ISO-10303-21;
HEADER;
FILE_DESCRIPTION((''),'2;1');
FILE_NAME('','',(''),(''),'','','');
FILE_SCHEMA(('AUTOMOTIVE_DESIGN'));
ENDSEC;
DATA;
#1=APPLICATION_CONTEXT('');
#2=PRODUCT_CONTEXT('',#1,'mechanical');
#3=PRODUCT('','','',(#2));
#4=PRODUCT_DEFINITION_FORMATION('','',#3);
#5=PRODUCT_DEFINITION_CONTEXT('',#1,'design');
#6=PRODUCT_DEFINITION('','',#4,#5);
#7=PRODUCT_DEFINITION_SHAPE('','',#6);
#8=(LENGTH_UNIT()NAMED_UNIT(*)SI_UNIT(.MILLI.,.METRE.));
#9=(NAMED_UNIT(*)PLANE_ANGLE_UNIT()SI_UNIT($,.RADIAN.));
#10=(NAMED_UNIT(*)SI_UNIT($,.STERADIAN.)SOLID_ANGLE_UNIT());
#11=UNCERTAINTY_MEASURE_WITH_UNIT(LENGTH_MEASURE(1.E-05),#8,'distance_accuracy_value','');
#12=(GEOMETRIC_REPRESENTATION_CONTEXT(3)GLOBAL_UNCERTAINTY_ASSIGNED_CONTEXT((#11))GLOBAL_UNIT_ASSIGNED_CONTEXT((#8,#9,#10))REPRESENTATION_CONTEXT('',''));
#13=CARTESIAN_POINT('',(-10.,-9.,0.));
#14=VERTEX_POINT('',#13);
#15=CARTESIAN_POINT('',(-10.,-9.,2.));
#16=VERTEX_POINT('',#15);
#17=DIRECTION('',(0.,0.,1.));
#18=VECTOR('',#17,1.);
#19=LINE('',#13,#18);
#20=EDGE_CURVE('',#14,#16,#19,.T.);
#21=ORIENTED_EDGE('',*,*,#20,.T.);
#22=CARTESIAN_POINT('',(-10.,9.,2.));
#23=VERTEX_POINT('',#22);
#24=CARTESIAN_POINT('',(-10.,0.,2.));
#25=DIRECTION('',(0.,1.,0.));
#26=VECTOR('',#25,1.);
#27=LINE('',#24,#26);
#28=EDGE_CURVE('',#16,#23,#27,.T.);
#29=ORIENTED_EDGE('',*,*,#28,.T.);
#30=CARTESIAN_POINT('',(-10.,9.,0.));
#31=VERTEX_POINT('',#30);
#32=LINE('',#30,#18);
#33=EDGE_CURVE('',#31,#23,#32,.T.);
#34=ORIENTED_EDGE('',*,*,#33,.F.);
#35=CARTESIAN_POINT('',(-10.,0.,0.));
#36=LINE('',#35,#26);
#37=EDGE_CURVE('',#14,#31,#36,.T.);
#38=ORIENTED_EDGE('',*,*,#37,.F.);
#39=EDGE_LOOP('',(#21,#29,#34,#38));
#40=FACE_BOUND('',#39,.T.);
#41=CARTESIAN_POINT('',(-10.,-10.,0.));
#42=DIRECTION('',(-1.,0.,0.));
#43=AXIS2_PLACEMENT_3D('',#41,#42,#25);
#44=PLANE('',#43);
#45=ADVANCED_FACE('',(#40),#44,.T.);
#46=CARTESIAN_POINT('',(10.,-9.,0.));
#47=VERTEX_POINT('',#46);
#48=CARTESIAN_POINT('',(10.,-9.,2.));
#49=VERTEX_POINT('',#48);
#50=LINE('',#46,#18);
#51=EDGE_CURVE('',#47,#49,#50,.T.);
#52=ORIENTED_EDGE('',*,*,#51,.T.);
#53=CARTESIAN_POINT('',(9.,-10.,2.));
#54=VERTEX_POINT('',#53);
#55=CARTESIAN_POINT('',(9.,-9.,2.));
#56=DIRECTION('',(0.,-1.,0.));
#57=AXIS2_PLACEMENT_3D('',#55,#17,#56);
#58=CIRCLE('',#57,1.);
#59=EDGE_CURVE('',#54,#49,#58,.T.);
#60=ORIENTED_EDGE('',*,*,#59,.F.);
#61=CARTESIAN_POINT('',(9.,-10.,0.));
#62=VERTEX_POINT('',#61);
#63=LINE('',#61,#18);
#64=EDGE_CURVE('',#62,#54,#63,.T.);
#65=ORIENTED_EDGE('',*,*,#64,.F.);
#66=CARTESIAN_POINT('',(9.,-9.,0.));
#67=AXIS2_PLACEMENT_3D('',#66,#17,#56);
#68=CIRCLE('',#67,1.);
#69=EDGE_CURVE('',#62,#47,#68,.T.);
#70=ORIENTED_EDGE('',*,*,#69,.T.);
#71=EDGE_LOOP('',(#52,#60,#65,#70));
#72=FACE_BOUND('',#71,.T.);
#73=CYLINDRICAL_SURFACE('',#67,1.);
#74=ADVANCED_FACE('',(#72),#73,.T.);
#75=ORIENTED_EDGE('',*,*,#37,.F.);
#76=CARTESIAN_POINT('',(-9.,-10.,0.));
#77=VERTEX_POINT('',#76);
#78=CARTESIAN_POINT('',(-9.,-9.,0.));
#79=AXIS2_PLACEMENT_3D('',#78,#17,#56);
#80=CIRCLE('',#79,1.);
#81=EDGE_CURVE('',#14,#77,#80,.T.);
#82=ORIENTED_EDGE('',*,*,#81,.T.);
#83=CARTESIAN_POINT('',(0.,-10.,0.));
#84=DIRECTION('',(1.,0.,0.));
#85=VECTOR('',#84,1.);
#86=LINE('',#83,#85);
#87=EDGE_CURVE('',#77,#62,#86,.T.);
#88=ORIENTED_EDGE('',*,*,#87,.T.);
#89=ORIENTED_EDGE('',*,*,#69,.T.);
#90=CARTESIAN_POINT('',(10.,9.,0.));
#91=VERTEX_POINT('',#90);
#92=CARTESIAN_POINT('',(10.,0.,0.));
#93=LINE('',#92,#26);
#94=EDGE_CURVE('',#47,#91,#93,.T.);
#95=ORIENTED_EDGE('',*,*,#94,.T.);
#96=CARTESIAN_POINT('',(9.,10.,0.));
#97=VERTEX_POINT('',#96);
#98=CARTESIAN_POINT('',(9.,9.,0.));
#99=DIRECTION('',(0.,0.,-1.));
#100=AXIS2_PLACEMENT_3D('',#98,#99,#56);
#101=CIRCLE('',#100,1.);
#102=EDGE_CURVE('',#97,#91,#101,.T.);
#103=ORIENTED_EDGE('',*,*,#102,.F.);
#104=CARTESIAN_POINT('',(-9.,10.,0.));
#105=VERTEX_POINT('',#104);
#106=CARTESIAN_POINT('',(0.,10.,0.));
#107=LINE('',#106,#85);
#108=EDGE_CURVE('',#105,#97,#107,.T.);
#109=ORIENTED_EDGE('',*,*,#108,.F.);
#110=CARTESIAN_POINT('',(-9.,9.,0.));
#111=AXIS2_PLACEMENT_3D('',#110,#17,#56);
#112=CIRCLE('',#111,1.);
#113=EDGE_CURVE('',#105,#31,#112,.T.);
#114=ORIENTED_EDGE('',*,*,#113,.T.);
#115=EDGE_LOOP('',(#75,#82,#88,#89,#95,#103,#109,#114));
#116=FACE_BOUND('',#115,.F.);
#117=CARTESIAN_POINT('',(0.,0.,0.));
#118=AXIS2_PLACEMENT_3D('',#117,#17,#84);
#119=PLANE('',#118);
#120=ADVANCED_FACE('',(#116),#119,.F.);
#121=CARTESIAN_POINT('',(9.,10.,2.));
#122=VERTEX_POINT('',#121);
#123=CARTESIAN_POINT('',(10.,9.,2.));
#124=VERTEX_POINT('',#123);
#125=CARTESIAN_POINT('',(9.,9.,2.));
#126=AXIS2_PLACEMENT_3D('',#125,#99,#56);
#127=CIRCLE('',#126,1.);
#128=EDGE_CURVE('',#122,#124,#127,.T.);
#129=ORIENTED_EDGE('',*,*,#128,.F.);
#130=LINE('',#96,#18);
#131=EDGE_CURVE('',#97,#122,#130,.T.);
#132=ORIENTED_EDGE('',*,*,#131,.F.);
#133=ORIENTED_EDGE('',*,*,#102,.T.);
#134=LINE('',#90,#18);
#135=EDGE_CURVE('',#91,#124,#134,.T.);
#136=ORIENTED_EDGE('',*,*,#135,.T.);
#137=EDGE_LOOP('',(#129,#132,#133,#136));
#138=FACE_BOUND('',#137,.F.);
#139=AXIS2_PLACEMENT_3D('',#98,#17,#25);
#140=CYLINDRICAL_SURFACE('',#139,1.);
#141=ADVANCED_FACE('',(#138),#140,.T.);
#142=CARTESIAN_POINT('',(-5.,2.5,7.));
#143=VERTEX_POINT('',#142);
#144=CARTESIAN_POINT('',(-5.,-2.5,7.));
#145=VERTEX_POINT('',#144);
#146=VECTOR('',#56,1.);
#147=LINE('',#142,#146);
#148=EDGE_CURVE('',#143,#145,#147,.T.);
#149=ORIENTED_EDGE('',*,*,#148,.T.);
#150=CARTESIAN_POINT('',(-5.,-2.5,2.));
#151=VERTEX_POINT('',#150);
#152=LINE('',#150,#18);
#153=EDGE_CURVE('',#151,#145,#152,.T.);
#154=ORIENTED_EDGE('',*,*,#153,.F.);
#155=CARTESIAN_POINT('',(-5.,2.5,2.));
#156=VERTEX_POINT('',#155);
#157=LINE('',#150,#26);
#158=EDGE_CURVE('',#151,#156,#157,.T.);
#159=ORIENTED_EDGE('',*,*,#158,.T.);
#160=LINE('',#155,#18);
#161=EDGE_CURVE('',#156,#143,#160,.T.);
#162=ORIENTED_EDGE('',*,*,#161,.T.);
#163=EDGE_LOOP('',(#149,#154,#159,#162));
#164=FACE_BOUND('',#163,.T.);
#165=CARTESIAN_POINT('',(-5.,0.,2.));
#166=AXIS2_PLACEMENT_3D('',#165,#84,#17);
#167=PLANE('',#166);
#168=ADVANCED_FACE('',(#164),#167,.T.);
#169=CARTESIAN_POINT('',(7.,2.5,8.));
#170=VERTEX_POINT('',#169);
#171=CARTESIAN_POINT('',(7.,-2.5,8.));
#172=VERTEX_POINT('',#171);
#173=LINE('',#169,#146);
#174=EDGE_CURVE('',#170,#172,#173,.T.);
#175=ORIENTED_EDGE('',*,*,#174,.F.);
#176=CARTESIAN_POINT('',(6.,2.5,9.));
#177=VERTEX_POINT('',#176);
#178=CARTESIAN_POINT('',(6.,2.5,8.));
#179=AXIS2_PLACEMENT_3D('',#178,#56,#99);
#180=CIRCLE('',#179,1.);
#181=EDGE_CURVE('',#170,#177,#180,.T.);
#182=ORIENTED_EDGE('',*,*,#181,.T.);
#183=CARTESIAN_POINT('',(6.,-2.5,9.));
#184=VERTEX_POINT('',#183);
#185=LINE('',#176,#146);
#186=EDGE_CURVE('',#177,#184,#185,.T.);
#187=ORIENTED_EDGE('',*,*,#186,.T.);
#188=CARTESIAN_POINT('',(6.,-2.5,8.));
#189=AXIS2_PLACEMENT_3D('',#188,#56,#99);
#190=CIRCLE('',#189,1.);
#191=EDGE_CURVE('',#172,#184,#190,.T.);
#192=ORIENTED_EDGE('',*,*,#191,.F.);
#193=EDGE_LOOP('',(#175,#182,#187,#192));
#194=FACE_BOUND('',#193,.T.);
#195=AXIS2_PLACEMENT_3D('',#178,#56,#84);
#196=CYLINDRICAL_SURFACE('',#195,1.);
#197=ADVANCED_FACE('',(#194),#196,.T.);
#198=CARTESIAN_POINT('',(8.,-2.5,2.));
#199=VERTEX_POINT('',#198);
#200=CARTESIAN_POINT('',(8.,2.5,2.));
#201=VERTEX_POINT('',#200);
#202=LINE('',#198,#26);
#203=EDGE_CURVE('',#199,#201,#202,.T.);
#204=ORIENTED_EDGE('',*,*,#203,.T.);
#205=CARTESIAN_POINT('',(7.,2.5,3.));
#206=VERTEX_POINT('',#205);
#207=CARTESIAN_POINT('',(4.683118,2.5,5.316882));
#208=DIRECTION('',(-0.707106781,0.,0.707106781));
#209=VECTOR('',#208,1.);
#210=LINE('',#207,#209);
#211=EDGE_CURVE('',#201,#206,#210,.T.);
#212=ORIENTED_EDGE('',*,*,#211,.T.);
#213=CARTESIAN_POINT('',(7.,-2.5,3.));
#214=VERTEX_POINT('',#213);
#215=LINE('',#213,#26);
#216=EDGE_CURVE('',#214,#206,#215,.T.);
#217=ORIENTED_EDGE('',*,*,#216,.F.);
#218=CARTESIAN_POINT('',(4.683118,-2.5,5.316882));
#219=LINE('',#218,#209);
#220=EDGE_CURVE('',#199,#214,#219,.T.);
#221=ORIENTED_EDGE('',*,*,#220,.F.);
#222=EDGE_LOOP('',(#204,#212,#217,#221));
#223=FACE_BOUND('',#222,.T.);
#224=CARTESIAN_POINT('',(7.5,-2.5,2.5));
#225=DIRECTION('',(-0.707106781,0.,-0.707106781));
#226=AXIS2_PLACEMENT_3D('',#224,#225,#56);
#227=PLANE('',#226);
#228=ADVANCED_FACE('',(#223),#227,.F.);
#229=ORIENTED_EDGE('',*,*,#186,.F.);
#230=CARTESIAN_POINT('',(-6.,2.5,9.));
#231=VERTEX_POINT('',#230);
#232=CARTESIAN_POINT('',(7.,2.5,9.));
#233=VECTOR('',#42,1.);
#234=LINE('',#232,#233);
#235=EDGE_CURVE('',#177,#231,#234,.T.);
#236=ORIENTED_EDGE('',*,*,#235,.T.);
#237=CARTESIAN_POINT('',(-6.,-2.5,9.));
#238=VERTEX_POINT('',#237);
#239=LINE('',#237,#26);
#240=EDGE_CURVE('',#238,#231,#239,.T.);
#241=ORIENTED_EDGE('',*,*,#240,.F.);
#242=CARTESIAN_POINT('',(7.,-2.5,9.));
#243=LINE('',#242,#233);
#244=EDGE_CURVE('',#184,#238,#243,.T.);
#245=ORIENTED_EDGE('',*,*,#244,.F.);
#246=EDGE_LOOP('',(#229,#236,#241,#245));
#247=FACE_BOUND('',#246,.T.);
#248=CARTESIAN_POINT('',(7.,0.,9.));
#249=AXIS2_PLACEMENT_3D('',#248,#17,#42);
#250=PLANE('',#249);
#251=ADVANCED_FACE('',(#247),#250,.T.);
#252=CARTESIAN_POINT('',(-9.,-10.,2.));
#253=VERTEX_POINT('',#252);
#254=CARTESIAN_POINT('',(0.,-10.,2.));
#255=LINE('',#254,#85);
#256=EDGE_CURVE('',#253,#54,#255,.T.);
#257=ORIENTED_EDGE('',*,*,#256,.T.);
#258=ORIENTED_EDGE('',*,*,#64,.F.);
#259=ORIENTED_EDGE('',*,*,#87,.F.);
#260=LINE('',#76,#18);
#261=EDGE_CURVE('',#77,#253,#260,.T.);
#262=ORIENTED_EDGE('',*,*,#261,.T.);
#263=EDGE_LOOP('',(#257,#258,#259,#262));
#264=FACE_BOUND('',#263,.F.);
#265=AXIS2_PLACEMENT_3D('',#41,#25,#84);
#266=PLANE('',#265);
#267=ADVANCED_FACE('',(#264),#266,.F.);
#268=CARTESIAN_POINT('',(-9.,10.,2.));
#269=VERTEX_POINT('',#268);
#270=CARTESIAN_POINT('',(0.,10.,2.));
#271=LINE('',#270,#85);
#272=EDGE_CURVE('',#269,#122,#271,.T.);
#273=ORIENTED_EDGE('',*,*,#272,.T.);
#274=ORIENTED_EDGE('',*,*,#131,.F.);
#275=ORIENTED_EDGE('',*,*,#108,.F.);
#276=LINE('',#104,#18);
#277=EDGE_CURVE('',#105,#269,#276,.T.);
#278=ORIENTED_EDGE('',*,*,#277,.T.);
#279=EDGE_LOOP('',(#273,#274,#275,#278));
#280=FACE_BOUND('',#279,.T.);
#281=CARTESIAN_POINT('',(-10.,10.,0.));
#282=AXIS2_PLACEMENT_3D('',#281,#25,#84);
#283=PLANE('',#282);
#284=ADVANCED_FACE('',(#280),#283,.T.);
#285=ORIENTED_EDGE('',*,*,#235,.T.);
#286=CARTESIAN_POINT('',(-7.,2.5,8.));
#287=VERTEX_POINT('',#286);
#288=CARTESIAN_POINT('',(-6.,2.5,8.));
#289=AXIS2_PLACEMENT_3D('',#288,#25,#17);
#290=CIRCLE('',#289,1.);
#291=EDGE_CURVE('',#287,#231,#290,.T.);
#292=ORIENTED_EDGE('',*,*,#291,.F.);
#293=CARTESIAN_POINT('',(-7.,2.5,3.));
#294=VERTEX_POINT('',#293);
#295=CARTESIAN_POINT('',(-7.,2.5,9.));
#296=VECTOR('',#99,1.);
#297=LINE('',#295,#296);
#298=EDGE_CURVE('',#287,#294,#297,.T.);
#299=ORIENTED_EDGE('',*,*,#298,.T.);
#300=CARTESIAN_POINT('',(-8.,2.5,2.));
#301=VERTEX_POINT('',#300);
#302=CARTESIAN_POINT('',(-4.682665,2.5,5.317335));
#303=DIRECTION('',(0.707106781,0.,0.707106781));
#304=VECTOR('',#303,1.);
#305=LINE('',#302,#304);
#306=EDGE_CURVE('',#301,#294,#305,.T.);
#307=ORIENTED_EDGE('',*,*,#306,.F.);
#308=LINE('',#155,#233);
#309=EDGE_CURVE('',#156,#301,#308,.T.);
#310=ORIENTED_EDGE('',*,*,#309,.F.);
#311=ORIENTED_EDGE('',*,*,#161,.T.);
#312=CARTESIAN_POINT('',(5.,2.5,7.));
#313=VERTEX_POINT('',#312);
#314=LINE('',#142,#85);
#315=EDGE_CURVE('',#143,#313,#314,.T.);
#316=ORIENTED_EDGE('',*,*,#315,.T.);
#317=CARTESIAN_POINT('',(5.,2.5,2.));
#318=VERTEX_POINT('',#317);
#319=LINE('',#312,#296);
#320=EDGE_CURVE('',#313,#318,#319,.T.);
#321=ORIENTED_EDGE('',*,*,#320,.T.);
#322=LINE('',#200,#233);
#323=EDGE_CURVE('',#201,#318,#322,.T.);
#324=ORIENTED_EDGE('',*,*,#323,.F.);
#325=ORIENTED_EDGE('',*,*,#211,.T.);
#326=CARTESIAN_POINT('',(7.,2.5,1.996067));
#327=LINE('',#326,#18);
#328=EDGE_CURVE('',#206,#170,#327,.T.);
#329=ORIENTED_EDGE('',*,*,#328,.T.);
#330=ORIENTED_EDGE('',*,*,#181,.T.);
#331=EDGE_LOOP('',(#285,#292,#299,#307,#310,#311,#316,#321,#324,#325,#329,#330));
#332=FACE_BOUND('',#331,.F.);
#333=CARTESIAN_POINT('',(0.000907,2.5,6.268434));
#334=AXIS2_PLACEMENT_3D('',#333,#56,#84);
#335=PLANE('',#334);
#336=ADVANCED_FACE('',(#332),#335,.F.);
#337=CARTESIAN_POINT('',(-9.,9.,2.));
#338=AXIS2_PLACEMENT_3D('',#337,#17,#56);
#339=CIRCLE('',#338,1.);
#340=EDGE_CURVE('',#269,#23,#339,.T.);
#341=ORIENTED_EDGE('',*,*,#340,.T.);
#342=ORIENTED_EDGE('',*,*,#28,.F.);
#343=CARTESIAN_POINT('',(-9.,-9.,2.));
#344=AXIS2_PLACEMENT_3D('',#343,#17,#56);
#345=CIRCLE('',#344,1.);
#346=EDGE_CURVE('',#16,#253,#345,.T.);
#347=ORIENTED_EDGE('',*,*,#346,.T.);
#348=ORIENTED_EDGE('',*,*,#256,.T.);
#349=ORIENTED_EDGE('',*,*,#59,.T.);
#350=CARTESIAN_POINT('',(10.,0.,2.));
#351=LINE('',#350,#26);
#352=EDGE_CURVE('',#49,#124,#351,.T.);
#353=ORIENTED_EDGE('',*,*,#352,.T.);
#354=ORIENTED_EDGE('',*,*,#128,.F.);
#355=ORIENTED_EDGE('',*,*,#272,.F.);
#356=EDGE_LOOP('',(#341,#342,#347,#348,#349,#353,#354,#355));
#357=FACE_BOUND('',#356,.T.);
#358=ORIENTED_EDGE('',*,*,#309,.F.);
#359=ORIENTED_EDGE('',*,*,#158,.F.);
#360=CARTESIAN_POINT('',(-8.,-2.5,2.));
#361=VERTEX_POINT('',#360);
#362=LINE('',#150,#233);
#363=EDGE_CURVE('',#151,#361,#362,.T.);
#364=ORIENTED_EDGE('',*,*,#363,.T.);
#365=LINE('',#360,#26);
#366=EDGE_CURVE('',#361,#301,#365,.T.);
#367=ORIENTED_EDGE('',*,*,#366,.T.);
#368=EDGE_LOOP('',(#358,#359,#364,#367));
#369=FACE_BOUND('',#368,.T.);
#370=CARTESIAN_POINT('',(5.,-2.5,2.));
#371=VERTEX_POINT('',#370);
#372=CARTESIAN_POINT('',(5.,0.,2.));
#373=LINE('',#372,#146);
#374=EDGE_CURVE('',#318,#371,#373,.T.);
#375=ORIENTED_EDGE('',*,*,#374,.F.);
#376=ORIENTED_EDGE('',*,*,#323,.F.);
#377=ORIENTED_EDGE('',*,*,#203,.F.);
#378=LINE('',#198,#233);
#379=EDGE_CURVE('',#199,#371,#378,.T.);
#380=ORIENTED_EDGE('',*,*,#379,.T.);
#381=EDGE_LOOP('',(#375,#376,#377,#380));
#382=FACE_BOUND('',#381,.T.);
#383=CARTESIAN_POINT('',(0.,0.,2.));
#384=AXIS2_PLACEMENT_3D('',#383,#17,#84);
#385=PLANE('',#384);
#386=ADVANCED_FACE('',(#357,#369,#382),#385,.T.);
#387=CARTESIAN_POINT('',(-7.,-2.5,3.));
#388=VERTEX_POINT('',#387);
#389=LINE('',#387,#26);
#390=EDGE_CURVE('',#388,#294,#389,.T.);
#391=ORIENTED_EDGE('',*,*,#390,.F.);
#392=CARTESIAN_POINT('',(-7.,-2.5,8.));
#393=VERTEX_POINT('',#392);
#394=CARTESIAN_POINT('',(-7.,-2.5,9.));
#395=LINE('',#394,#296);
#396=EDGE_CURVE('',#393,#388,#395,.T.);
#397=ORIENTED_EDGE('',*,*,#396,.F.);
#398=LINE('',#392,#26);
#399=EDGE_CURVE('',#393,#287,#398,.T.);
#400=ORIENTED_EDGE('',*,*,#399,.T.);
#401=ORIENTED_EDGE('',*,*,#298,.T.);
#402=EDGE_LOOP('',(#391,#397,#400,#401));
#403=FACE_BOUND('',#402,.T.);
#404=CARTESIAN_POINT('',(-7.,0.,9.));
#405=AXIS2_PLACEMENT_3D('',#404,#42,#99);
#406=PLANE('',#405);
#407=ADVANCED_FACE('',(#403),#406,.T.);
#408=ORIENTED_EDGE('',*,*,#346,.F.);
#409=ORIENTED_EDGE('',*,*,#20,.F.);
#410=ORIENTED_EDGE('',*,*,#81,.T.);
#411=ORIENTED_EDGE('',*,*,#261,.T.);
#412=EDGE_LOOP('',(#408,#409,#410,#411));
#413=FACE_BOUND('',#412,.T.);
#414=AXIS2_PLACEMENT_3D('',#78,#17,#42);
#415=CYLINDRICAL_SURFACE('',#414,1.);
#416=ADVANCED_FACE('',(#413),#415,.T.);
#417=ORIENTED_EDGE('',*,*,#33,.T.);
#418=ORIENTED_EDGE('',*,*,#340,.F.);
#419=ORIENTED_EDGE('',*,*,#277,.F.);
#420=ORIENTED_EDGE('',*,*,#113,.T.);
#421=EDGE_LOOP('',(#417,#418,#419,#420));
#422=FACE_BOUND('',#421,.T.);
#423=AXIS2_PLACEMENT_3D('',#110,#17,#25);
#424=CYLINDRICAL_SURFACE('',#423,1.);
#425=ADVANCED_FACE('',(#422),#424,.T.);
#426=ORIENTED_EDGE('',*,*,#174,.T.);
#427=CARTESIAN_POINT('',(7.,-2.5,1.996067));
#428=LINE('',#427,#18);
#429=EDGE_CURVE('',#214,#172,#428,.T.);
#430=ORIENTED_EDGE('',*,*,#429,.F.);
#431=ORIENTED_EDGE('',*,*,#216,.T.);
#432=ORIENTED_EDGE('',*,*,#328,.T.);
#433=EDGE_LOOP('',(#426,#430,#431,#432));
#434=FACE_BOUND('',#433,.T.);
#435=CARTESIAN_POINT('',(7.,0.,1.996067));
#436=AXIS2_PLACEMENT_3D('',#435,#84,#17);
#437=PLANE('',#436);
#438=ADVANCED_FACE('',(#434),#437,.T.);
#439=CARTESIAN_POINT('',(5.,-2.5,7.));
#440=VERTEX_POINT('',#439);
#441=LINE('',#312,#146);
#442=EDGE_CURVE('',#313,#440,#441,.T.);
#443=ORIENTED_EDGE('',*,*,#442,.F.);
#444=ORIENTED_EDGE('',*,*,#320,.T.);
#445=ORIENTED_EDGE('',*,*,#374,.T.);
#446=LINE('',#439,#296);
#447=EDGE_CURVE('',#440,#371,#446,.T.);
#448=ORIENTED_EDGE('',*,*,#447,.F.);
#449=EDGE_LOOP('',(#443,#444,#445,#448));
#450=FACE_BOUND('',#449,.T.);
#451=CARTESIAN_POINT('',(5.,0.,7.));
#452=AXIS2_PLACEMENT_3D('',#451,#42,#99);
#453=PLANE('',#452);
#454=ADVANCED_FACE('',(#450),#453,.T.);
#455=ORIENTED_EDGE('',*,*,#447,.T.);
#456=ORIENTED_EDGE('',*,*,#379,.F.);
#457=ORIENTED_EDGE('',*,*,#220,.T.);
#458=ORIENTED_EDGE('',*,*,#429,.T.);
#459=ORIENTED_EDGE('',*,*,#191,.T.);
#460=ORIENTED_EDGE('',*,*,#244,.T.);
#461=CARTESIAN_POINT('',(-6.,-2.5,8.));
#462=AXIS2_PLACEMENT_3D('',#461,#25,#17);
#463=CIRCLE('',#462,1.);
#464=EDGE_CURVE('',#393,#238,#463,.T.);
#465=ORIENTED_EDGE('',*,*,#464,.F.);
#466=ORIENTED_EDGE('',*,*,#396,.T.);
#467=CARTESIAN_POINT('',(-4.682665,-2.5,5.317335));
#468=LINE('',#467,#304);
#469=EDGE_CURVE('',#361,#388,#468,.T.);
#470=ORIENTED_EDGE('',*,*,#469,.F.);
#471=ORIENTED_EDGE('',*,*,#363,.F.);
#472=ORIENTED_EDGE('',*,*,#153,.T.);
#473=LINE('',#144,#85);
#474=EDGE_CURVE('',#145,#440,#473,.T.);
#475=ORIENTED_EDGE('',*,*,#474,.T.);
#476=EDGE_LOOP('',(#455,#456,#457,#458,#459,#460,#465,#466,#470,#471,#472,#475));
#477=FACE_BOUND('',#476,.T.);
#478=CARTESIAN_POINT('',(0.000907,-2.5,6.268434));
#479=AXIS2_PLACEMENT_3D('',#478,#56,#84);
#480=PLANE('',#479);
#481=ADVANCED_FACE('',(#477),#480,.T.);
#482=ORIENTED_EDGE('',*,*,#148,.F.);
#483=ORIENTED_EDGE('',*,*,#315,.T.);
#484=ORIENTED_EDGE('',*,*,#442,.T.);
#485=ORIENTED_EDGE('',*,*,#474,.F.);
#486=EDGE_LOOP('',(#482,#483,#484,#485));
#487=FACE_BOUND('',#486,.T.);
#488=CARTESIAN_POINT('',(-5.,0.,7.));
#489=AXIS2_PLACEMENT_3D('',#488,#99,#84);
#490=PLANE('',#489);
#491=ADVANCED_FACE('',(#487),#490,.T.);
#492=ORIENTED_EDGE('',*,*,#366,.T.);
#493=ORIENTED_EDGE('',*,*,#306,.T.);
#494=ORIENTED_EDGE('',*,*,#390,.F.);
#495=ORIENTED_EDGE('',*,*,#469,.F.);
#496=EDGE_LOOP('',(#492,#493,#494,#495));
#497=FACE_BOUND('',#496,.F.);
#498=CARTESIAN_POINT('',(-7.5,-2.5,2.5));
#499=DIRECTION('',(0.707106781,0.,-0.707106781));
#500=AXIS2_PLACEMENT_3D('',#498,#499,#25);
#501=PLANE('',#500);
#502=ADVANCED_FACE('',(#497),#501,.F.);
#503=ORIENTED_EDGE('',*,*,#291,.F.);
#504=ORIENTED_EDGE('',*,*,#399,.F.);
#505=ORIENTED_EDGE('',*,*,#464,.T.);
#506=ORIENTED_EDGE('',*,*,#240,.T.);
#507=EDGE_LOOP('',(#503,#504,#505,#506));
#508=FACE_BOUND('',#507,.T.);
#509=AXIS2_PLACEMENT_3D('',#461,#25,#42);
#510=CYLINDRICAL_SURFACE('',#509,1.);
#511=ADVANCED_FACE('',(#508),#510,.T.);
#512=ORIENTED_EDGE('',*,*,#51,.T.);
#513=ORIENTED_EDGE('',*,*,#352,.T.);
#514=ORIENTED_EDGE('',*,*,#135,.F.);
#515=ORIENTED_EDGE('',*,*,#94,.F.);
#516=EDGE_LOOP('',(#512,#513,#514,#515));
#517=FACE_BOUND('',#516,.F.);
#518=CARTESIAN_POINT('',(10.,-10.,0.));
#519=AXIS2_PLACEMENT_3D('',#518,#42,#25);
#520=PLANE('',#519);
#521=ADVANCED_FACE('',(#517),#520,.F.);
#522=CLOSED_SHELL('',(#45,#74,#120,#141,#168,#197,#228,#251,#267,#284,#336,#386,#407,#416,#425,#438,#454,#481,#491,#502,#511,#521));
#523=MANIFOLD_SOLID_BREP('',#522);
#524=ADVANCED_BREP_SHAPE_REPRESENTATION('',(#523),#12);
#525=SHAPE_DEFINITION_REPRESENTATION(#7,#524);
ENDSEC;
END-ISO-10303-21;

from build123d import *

# Parameters (mm, degrees)
SKETCH_W        = 20
SKETCH_H        = 20
PAD_DEPTH       = 2
PAD001_DEPTH    = 2.5
CHAMFER_SIZE    = 1
CHAMFER001_SIZE = 1
FILLET_R        = 1
FILLET001_R     = 1
FILLET002_R     = 1


with BuildPart() as part:
    # Sketch → Pad (new body)
    with BuildSketch(Plane.XY):
        Rectangle(SKETCH_W, SKETCH_H)
    extrude(amount=PAD_DEPTH)

    # Sketch001 → Pad001 (join, symmetric)
    with BuildSketch(Plane.XZ):
        Polygon((-5, 2), (-5, 7), (5, 7), (5, 1.996067), (7, 1.996067), (7, 9), (-7, 9), (-7, 2), align=None)
    extrude(amount=PAD001_DEPTH, both=True)

    # Chamfer
    chamfer_edges = [part.edges().sort_by_distance(p)[0] for p in [
        (7, 0, 2),
    ]]
    chamfer(chamfer_edges, length=CHAMFER_SIZE)

    # Chamfer001
    chamfer001_edges = [part.edges().sort_by_distance(p)[0] for p in [
        (-7, 0, 2),
    ]]
    chamfer(chamfer001_edges, length=CHAMFER001_SIZE)

    # Fillet
    fillet_edges = [part.edges().sort_by_distance(p)[0] for p in [
        (-10, 10, 1),
    ]]
    fillet(fillet_edges, radius=FILLET_R)

    # Fillet001
    fillet001_edges = [part.edges().sort_by_distance(p)[0] for p in [
        (10, -10, 1),
        (-10, -10, 1),
        (10, 10, 1),
    ]]
    fillet(fillet001_edges, radius=FILLET001_R)

    # Fillet002
    fillet002_edges = [part.edges().sort_by_distance(p)[0] for p in [
        (7, 0, 9),
        (-7, 0, 9),
    ]]
    fillet(fillet002_edges, radius=FILLET002_R)


solid = part.part
